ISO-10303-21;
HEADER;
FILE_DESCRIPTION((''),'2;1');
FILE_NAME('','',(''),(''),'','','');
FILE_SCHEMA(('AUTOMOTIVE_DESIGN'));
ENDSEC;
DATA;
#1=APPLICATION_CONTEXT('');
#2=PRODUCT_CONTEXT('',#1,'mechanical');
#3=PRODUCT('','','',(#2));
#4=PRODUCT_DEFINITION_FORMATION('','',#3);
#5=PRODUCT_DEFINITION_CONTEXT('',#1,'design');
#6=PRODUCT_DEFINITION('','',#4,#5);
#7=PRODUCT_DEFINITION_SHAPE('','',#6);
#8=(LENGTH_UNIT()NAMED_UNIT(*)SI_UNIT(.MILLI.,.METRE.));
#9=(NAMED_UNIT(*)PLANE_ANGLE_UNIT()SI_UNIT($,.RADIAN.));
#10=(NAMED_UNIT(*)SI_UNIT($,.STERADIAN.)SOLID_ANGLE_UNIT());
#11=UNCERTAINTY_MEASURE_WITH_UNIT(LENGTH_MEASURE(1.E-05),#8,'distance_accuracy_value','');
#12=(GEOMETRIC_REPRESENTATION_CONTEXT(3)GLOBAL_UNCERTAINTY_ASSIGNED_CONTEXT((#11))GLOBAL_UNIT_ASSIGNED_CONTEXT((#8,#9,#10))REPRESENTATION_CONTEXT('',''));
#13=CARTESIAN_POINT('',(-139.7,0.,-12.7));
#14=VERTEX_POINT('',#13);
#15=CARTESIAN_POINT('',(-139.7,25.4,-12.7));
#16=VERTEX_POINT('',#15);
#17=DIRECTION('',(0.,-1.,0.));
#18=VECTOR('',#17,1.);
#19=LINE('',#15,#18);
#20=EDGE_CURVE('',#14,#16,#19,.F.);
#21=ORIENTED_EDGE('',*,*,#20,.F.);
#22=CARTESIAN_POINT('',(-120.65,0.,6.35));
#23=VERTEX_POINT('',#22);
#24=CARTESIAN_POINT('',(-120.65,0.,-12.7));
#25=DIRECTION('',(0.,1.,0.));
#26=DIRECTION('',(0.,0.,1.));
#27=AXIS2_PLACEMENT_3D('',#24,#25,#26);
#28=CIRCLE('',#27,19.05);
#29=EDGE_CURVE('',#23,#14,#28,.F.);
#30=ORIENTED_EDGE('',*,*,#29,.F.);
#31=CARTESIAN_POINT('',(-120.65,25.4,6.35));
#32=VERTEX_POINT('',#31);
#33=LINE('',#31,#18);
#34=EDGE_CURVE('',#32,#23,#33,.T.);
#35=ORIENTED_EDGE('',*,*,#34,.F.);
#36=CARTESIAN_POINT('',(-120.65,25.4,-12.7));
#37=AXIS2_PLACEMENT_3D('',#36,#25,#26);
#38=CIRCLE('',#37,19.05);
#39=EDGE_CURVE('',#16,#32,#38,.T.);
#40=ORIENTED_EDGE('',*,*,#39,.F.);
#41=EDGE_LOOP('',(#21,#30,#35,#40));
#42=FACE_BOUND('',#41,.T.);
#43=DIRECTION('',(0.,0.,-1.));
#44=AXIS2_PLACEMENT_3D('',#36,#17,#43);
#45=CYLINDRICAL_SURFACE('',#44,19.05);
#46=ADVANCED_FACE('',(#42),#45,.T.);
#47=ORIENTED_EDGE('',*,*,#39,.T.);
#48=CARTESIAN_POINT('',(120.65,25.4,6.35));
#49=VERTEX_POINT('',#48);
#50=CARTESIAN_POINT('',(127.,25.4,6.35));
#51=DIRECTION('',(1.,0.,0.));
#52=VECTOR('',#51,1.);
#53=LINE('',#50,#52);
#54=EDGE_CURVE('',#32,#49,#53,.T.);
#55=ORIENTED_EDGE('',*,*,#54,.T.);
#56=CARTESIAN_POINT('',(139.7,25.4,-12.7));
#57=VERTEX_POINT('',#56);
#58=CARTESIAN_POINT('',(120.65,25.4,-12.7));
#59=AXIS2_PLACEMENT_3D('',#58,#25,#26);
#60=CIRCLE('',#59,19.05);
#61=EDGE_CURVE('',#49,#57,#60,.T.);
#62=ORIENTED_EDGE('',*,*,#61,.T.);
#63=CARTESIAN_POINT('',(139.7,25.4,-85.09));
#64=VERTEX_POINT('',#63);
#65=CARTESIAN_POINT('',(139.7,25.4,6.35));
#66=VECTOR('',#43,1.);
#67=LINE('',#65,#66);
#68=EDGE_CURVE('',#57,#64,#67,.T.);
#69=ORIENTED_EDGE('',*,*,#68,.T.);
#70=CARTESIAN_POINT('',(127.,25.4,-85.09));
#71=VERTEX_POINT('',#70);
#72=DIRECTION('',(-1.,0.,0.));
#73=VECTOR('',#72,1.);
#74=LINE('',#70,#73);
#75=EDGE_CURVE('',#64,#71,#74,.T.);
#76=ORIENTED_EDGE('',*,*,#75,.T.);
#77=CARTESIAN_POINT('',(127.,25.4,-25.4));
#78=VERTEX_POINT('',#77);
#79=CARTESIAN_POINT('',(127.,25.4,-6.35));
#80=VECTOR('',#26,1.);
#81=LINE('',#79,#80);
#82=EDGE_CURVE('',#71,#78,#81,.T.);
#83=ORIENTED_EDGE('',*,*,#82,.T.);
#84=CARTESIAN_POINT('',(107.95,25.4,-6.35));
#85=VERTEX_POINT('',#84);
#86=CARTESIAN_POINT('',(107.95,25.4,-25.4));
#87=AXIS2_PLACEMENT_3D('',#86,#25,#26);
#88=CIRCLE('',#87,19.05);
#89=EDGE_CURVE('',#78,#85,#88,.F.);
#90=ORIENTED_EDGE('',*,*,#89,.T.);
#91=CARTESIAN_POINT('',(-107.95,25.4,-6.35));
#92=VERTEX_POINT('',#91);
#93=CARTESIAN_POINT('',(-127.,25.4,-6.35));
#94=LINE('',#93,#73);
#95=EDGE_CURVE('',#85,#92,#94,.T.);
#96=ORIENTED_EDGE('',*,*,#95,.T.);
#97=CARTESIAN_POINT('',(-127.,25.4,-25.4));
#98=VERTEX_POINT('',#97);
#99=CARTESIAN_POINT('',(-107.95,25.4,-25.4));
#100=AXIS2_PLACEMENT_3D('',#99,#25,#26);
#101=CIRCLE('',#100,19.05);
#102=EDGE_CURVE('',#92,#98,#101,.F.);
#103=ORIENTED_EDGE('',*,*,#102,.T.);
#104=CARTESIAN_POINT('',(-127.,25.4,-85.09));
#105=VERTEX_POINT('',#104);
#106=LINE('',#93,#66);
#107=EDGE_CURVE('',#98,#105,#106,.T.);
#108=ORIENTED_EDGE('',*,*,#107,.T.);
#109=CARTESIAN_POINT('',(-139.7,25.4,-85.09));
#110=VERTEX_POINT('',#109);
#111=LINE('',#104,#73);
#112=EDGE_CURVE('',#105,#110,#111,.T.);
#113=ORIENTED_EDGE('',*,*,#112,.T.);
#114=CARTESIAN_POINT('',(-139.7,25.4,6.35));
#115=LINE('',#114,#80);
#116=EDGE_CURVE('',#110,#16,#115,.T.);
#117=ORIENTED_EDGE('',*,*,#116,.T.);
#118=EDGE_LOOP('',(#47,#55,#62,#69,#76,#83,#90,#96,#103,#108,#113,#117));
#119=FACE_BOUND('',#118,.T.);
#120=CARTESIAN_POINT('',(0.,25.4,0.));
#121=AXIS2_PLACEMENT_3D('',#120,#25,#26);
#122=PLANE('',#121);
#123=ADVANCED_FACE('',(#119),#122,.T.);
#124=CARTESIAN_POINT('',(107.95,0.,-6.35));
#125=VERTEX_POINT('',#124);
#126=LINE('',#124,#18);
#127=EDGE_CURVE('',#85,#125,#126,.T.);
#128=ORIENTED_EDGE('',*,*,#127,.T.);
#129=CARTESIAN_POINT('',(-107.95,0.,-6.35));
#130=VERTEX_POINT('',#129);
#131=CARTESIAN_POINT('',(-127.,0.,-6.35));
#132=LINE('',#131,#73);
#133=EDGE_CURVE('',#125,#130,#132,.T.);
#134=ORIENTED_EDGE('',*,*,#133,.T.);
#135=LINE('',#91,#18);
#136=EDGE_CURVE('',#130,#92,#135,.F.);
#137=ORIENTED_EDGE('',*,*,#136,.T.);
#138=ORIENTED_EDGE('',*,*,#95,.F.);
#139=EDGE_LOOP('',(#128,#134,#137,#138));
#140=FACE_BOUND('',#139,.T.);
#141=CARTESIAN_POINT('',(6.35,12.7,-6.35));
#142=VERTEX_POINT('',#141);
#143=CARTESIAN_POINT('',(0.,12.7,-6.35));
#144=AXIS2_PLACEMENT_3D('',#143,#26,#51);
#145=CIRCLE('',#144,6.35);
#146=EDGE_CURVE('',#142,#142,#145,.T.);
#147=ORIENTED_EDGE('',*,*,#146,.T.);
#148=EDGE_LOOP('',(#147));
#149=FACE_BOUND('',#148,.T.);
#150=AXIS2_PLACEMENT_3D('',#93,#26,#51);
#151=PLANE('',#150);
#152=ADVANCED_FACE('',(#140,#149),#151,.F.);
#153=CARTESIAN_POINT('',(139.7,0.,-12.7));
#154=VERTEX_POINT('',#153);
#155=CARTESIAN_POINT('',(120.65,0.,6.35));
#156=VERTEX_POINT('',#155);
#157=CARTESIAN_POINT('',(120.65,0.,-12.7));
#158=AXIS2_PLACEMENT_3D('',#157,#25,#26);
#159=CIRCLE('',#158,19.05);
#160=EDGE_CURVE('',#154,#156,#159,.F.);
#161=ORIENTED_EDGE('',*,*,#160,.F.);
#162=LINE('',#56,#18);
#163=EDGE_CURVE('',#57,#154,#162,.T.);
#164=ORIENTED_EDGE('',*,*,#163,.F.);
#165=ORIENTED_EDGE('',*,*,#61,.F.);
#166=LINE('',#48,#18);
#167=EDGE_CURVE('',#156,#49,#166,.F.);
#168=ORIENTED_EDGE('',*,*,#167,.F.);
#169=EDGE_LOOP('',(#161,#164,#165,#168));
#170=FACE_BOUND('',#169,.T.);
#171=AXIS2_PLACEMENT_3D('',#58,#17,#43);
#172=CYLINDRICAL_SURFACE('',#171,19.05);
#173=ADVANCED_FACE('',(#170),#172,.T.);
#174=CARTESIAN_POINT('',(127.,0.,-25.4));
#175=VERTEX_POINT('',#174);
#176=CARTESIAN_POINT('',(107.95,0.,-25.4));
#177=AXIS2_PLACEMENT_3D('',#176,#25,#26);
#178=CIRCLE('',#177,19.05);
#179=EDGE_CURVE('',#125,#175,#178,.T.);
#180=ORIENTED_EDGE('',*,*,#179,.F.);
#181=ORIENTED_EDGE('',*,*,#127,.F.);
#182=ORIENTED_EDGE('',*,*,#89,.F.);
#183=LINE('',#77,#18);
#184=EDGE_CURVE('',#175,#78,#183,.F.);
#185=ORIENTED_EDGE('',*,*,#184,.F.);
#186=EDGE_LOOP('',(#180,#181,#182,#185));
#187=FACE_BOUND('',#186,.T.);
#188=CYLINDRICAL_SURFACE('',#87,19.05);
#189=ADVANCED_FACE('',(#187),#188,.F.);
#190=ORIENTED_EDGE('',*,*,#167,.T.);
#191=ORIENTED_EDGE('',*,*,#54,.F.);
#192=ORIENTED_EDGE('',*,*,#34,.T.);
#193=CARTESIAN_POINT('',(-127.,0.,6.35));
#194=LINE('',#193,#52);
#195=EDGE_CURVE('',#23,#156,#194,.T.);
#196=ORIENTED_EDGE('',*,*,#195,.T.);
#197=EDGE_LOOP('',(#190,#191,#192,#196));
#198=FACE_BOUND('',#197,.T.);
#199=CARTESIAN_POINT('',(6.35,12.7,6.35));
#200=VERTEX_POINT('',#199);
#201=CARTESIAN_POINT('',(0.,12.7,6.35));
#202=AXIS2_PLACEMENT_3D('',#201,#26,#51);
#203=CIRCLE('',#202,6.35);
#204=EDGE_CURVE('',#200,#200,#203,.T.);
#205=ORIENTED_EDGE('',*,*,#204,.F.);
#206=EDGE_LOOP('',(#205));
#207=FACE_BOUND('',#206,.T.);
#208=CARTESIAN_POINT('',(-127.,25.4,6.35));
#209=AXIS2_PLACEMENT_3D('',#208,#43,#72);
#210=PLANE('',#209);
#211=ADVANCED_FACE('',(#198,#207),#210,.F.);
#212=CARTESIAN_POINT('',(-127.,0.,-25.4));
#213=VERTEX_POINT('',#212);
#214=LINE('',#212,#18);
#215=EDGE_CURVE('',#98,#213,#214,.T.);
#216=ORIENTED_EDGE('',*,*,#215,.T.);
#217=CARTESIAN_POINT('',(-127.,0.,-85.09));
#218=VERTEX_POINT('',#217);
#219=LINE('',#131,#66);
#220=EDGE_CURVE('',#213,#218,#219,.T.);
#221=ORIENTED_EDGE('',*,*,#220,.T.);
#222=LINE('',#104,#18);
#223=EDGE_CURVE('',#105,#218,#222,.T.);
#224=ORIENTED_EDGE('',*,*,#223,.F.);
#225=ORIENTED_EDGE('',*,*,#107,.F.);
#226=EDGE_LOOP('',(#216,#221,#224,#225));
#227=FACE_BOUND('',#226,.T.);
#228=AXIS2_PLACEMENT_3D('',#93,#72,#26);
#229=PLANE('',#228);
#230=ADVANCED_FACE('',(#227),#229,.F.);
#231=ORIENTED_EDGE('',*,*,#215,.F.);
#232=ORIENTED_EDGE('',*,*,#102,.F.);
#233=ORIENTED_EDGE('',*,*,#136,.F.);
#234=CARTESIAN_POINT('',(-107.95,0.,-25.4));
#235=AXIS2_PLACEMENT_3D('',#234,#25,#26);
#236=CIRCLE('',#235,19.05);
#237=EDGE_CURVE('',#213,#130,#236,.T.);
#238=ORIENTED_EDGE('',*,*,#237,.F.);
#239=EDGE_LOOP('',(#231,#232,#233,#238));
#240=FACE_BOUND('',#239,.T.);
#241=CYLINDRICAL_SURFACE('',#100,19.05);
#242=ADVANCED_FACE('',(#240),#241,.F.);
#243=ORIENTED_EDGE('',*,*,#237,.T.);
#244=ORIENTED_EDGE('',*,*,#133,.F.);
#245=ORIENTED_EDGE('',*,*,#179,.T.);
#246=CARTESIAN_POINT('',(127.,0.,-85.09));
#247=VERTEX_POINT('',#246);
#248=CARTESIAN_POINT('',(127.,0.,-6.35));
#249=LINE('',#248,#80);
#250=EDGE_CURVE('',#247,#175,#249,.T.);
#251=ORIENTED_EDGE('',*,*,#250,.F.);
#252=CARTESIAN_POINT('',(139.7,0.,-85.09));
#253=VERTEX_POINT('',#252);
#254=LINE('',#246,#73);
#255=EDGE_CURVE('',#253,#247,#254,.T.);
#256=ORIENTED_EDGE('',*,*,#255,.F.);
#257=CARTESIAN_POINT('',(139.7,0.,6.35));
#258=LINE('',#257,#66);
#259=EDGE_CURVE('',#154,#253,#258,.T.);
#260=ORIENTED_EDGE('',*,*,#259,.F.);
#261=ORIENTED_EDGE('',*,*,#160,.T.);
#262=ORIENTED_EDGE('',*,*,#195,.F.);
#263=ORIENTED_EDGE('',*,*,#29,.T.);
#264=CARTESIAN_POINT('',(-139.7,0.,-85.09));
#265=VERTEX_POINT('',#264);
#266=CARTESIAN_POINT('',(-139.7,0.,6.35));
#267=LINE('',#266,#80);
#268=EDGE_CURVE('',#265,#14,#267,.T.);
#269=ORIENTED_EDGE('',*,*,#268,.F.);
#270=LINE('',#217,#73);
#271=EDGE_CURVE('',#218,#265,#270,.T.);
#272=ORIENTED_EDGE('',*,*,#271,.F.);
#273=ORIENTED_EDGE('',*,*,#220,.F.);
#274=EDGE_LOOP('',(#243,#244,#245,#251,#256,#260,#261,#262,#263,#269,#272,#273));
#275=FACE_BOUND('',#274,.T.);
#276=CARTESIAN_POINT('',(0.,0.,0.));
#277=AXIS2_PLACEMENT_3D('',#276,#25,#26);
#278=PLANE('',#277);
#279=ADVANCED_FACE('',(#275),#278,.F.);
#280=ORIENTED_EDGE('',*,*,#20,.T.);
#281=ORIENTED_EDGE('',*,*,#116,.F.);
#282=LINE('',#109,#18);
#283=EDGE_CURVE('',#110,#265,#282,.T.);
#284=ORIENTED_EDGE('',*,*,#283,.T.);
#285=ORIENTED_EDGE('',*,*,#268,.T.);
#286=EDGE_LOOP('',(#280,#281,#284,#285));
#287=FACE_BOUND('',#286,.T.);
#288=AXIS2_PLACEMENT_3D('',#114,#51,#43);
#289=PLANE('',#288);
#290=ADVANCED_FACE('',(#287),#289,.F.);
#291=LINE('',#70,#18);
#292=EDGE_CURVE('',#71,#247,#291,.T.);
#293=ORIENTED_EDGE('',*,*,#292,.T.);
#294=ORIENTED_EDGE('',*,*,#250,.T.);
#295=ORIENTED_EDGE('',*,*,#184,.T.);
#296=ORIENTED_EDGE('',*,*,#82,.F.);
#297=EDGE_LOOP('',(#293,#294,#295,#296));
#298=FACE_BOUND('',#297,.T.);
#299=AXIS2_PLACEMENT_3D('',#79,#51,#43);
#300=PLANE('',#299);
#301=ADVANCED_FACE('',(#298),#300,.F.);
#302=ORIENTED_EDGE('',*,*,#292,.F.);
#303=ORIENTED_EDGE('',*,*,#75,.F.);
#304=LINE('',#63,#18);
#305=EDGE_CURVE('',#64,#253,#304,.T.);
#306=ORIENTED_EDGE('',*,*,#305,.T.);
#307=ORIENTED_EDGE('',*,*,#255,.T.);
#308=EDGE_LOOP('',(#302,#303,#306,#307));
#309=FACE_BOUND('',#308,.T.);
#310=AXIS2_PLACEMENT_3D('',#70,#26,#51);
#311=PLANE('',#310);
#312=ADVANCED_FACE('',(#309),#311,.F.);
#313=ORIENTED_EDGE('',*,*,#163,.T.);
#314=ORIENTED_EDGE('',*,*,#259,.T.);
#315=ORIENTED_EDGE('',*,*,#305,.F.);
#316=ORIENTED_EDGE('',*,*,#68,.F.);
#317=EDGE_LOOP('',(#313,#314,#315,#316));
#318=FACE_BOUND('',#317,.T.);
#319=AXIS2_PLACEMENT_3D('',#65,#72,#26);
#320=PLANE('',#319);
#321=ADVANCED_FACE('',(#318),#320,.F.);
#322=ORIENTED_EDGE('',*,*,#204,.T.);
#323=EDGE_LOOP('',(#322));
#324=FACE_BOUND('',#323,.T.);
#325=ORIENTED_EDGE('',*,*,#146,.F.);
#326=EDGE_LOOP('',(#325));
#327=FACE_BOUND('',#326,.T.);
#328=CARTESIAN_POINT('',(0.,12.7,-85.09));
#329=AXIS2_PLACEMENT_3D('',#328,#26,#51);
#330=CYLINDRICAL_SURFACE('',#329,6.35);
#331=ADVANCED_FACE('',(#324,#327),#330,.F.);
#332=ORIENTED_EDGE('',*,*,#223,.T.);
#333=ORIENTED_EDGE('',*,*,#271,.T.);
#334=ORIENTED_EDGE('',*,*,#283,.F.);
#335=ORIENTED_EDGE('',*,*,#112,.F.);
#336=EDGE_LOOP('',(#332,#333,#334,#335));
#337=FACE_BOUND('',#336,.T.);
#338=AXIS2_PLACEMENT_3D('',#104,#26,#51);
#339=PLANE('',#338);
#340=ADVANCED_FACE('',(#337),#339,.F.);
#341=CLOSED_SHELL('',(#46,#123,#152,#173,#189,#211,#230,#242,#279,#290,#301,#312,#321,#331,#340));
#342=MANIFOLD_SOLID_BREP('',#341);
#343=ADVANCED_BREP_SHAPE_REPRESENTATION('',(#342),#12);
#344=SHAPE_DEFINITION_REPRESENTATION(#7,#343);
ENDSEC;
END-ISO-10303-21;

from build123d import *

# Parameters (mm, degrees)
BOSS_EXTRUDE1_DEPTH = 25.4
SKETCH2_R           = 6.35
CUT_EXTRUDE1_DEPTH  = 169.886126132
FILLET1_R           = 19.05


with BuildPart() as part:
    # Sketch1 → Boss-Extrude1 (new body)
    with BuildSketch(Plane(origin=(0, 0, 0), x_dir=(1, 0, 0), z_dir=(0, 1, 0))):
        Polygon((-127, 6.35), (127, 6.35), (127, 85.09), (139.7, 85.09), (139.7, -6.35), (127, -6.35), (-127, -6.35), (-139.7, -6.35), (-139.7, 85.09), (-127, 85.09), align=None)
    extrude(amount=BOSS_EXTRUDE1_DEPTH)

    # Sketch2 → Cut-Extrude1 (cut, through all)
    with BuildSketch(Plane.XY.offset(6.35)):
        with Locations((0, 12.7)):
            Circle(SKETCH2_R)
    extrude(amount=-CUT_EXTRUDE1_DEPTH, mode=Mode.SUBTRACT)

    # Fillet1
    fillet1_edges = [part.edges().sort_by_distance(p)[0] for p in [
        (-139.7, 12.7, 6.35),
        (-127, 12.7, -6.35),
        (127, 12.7, -6.35),
        (139.7, 12.7, 6.35),
    ]]
    fillet(fillet1_edges, radius=FILLET1_R)


solid = part.part
